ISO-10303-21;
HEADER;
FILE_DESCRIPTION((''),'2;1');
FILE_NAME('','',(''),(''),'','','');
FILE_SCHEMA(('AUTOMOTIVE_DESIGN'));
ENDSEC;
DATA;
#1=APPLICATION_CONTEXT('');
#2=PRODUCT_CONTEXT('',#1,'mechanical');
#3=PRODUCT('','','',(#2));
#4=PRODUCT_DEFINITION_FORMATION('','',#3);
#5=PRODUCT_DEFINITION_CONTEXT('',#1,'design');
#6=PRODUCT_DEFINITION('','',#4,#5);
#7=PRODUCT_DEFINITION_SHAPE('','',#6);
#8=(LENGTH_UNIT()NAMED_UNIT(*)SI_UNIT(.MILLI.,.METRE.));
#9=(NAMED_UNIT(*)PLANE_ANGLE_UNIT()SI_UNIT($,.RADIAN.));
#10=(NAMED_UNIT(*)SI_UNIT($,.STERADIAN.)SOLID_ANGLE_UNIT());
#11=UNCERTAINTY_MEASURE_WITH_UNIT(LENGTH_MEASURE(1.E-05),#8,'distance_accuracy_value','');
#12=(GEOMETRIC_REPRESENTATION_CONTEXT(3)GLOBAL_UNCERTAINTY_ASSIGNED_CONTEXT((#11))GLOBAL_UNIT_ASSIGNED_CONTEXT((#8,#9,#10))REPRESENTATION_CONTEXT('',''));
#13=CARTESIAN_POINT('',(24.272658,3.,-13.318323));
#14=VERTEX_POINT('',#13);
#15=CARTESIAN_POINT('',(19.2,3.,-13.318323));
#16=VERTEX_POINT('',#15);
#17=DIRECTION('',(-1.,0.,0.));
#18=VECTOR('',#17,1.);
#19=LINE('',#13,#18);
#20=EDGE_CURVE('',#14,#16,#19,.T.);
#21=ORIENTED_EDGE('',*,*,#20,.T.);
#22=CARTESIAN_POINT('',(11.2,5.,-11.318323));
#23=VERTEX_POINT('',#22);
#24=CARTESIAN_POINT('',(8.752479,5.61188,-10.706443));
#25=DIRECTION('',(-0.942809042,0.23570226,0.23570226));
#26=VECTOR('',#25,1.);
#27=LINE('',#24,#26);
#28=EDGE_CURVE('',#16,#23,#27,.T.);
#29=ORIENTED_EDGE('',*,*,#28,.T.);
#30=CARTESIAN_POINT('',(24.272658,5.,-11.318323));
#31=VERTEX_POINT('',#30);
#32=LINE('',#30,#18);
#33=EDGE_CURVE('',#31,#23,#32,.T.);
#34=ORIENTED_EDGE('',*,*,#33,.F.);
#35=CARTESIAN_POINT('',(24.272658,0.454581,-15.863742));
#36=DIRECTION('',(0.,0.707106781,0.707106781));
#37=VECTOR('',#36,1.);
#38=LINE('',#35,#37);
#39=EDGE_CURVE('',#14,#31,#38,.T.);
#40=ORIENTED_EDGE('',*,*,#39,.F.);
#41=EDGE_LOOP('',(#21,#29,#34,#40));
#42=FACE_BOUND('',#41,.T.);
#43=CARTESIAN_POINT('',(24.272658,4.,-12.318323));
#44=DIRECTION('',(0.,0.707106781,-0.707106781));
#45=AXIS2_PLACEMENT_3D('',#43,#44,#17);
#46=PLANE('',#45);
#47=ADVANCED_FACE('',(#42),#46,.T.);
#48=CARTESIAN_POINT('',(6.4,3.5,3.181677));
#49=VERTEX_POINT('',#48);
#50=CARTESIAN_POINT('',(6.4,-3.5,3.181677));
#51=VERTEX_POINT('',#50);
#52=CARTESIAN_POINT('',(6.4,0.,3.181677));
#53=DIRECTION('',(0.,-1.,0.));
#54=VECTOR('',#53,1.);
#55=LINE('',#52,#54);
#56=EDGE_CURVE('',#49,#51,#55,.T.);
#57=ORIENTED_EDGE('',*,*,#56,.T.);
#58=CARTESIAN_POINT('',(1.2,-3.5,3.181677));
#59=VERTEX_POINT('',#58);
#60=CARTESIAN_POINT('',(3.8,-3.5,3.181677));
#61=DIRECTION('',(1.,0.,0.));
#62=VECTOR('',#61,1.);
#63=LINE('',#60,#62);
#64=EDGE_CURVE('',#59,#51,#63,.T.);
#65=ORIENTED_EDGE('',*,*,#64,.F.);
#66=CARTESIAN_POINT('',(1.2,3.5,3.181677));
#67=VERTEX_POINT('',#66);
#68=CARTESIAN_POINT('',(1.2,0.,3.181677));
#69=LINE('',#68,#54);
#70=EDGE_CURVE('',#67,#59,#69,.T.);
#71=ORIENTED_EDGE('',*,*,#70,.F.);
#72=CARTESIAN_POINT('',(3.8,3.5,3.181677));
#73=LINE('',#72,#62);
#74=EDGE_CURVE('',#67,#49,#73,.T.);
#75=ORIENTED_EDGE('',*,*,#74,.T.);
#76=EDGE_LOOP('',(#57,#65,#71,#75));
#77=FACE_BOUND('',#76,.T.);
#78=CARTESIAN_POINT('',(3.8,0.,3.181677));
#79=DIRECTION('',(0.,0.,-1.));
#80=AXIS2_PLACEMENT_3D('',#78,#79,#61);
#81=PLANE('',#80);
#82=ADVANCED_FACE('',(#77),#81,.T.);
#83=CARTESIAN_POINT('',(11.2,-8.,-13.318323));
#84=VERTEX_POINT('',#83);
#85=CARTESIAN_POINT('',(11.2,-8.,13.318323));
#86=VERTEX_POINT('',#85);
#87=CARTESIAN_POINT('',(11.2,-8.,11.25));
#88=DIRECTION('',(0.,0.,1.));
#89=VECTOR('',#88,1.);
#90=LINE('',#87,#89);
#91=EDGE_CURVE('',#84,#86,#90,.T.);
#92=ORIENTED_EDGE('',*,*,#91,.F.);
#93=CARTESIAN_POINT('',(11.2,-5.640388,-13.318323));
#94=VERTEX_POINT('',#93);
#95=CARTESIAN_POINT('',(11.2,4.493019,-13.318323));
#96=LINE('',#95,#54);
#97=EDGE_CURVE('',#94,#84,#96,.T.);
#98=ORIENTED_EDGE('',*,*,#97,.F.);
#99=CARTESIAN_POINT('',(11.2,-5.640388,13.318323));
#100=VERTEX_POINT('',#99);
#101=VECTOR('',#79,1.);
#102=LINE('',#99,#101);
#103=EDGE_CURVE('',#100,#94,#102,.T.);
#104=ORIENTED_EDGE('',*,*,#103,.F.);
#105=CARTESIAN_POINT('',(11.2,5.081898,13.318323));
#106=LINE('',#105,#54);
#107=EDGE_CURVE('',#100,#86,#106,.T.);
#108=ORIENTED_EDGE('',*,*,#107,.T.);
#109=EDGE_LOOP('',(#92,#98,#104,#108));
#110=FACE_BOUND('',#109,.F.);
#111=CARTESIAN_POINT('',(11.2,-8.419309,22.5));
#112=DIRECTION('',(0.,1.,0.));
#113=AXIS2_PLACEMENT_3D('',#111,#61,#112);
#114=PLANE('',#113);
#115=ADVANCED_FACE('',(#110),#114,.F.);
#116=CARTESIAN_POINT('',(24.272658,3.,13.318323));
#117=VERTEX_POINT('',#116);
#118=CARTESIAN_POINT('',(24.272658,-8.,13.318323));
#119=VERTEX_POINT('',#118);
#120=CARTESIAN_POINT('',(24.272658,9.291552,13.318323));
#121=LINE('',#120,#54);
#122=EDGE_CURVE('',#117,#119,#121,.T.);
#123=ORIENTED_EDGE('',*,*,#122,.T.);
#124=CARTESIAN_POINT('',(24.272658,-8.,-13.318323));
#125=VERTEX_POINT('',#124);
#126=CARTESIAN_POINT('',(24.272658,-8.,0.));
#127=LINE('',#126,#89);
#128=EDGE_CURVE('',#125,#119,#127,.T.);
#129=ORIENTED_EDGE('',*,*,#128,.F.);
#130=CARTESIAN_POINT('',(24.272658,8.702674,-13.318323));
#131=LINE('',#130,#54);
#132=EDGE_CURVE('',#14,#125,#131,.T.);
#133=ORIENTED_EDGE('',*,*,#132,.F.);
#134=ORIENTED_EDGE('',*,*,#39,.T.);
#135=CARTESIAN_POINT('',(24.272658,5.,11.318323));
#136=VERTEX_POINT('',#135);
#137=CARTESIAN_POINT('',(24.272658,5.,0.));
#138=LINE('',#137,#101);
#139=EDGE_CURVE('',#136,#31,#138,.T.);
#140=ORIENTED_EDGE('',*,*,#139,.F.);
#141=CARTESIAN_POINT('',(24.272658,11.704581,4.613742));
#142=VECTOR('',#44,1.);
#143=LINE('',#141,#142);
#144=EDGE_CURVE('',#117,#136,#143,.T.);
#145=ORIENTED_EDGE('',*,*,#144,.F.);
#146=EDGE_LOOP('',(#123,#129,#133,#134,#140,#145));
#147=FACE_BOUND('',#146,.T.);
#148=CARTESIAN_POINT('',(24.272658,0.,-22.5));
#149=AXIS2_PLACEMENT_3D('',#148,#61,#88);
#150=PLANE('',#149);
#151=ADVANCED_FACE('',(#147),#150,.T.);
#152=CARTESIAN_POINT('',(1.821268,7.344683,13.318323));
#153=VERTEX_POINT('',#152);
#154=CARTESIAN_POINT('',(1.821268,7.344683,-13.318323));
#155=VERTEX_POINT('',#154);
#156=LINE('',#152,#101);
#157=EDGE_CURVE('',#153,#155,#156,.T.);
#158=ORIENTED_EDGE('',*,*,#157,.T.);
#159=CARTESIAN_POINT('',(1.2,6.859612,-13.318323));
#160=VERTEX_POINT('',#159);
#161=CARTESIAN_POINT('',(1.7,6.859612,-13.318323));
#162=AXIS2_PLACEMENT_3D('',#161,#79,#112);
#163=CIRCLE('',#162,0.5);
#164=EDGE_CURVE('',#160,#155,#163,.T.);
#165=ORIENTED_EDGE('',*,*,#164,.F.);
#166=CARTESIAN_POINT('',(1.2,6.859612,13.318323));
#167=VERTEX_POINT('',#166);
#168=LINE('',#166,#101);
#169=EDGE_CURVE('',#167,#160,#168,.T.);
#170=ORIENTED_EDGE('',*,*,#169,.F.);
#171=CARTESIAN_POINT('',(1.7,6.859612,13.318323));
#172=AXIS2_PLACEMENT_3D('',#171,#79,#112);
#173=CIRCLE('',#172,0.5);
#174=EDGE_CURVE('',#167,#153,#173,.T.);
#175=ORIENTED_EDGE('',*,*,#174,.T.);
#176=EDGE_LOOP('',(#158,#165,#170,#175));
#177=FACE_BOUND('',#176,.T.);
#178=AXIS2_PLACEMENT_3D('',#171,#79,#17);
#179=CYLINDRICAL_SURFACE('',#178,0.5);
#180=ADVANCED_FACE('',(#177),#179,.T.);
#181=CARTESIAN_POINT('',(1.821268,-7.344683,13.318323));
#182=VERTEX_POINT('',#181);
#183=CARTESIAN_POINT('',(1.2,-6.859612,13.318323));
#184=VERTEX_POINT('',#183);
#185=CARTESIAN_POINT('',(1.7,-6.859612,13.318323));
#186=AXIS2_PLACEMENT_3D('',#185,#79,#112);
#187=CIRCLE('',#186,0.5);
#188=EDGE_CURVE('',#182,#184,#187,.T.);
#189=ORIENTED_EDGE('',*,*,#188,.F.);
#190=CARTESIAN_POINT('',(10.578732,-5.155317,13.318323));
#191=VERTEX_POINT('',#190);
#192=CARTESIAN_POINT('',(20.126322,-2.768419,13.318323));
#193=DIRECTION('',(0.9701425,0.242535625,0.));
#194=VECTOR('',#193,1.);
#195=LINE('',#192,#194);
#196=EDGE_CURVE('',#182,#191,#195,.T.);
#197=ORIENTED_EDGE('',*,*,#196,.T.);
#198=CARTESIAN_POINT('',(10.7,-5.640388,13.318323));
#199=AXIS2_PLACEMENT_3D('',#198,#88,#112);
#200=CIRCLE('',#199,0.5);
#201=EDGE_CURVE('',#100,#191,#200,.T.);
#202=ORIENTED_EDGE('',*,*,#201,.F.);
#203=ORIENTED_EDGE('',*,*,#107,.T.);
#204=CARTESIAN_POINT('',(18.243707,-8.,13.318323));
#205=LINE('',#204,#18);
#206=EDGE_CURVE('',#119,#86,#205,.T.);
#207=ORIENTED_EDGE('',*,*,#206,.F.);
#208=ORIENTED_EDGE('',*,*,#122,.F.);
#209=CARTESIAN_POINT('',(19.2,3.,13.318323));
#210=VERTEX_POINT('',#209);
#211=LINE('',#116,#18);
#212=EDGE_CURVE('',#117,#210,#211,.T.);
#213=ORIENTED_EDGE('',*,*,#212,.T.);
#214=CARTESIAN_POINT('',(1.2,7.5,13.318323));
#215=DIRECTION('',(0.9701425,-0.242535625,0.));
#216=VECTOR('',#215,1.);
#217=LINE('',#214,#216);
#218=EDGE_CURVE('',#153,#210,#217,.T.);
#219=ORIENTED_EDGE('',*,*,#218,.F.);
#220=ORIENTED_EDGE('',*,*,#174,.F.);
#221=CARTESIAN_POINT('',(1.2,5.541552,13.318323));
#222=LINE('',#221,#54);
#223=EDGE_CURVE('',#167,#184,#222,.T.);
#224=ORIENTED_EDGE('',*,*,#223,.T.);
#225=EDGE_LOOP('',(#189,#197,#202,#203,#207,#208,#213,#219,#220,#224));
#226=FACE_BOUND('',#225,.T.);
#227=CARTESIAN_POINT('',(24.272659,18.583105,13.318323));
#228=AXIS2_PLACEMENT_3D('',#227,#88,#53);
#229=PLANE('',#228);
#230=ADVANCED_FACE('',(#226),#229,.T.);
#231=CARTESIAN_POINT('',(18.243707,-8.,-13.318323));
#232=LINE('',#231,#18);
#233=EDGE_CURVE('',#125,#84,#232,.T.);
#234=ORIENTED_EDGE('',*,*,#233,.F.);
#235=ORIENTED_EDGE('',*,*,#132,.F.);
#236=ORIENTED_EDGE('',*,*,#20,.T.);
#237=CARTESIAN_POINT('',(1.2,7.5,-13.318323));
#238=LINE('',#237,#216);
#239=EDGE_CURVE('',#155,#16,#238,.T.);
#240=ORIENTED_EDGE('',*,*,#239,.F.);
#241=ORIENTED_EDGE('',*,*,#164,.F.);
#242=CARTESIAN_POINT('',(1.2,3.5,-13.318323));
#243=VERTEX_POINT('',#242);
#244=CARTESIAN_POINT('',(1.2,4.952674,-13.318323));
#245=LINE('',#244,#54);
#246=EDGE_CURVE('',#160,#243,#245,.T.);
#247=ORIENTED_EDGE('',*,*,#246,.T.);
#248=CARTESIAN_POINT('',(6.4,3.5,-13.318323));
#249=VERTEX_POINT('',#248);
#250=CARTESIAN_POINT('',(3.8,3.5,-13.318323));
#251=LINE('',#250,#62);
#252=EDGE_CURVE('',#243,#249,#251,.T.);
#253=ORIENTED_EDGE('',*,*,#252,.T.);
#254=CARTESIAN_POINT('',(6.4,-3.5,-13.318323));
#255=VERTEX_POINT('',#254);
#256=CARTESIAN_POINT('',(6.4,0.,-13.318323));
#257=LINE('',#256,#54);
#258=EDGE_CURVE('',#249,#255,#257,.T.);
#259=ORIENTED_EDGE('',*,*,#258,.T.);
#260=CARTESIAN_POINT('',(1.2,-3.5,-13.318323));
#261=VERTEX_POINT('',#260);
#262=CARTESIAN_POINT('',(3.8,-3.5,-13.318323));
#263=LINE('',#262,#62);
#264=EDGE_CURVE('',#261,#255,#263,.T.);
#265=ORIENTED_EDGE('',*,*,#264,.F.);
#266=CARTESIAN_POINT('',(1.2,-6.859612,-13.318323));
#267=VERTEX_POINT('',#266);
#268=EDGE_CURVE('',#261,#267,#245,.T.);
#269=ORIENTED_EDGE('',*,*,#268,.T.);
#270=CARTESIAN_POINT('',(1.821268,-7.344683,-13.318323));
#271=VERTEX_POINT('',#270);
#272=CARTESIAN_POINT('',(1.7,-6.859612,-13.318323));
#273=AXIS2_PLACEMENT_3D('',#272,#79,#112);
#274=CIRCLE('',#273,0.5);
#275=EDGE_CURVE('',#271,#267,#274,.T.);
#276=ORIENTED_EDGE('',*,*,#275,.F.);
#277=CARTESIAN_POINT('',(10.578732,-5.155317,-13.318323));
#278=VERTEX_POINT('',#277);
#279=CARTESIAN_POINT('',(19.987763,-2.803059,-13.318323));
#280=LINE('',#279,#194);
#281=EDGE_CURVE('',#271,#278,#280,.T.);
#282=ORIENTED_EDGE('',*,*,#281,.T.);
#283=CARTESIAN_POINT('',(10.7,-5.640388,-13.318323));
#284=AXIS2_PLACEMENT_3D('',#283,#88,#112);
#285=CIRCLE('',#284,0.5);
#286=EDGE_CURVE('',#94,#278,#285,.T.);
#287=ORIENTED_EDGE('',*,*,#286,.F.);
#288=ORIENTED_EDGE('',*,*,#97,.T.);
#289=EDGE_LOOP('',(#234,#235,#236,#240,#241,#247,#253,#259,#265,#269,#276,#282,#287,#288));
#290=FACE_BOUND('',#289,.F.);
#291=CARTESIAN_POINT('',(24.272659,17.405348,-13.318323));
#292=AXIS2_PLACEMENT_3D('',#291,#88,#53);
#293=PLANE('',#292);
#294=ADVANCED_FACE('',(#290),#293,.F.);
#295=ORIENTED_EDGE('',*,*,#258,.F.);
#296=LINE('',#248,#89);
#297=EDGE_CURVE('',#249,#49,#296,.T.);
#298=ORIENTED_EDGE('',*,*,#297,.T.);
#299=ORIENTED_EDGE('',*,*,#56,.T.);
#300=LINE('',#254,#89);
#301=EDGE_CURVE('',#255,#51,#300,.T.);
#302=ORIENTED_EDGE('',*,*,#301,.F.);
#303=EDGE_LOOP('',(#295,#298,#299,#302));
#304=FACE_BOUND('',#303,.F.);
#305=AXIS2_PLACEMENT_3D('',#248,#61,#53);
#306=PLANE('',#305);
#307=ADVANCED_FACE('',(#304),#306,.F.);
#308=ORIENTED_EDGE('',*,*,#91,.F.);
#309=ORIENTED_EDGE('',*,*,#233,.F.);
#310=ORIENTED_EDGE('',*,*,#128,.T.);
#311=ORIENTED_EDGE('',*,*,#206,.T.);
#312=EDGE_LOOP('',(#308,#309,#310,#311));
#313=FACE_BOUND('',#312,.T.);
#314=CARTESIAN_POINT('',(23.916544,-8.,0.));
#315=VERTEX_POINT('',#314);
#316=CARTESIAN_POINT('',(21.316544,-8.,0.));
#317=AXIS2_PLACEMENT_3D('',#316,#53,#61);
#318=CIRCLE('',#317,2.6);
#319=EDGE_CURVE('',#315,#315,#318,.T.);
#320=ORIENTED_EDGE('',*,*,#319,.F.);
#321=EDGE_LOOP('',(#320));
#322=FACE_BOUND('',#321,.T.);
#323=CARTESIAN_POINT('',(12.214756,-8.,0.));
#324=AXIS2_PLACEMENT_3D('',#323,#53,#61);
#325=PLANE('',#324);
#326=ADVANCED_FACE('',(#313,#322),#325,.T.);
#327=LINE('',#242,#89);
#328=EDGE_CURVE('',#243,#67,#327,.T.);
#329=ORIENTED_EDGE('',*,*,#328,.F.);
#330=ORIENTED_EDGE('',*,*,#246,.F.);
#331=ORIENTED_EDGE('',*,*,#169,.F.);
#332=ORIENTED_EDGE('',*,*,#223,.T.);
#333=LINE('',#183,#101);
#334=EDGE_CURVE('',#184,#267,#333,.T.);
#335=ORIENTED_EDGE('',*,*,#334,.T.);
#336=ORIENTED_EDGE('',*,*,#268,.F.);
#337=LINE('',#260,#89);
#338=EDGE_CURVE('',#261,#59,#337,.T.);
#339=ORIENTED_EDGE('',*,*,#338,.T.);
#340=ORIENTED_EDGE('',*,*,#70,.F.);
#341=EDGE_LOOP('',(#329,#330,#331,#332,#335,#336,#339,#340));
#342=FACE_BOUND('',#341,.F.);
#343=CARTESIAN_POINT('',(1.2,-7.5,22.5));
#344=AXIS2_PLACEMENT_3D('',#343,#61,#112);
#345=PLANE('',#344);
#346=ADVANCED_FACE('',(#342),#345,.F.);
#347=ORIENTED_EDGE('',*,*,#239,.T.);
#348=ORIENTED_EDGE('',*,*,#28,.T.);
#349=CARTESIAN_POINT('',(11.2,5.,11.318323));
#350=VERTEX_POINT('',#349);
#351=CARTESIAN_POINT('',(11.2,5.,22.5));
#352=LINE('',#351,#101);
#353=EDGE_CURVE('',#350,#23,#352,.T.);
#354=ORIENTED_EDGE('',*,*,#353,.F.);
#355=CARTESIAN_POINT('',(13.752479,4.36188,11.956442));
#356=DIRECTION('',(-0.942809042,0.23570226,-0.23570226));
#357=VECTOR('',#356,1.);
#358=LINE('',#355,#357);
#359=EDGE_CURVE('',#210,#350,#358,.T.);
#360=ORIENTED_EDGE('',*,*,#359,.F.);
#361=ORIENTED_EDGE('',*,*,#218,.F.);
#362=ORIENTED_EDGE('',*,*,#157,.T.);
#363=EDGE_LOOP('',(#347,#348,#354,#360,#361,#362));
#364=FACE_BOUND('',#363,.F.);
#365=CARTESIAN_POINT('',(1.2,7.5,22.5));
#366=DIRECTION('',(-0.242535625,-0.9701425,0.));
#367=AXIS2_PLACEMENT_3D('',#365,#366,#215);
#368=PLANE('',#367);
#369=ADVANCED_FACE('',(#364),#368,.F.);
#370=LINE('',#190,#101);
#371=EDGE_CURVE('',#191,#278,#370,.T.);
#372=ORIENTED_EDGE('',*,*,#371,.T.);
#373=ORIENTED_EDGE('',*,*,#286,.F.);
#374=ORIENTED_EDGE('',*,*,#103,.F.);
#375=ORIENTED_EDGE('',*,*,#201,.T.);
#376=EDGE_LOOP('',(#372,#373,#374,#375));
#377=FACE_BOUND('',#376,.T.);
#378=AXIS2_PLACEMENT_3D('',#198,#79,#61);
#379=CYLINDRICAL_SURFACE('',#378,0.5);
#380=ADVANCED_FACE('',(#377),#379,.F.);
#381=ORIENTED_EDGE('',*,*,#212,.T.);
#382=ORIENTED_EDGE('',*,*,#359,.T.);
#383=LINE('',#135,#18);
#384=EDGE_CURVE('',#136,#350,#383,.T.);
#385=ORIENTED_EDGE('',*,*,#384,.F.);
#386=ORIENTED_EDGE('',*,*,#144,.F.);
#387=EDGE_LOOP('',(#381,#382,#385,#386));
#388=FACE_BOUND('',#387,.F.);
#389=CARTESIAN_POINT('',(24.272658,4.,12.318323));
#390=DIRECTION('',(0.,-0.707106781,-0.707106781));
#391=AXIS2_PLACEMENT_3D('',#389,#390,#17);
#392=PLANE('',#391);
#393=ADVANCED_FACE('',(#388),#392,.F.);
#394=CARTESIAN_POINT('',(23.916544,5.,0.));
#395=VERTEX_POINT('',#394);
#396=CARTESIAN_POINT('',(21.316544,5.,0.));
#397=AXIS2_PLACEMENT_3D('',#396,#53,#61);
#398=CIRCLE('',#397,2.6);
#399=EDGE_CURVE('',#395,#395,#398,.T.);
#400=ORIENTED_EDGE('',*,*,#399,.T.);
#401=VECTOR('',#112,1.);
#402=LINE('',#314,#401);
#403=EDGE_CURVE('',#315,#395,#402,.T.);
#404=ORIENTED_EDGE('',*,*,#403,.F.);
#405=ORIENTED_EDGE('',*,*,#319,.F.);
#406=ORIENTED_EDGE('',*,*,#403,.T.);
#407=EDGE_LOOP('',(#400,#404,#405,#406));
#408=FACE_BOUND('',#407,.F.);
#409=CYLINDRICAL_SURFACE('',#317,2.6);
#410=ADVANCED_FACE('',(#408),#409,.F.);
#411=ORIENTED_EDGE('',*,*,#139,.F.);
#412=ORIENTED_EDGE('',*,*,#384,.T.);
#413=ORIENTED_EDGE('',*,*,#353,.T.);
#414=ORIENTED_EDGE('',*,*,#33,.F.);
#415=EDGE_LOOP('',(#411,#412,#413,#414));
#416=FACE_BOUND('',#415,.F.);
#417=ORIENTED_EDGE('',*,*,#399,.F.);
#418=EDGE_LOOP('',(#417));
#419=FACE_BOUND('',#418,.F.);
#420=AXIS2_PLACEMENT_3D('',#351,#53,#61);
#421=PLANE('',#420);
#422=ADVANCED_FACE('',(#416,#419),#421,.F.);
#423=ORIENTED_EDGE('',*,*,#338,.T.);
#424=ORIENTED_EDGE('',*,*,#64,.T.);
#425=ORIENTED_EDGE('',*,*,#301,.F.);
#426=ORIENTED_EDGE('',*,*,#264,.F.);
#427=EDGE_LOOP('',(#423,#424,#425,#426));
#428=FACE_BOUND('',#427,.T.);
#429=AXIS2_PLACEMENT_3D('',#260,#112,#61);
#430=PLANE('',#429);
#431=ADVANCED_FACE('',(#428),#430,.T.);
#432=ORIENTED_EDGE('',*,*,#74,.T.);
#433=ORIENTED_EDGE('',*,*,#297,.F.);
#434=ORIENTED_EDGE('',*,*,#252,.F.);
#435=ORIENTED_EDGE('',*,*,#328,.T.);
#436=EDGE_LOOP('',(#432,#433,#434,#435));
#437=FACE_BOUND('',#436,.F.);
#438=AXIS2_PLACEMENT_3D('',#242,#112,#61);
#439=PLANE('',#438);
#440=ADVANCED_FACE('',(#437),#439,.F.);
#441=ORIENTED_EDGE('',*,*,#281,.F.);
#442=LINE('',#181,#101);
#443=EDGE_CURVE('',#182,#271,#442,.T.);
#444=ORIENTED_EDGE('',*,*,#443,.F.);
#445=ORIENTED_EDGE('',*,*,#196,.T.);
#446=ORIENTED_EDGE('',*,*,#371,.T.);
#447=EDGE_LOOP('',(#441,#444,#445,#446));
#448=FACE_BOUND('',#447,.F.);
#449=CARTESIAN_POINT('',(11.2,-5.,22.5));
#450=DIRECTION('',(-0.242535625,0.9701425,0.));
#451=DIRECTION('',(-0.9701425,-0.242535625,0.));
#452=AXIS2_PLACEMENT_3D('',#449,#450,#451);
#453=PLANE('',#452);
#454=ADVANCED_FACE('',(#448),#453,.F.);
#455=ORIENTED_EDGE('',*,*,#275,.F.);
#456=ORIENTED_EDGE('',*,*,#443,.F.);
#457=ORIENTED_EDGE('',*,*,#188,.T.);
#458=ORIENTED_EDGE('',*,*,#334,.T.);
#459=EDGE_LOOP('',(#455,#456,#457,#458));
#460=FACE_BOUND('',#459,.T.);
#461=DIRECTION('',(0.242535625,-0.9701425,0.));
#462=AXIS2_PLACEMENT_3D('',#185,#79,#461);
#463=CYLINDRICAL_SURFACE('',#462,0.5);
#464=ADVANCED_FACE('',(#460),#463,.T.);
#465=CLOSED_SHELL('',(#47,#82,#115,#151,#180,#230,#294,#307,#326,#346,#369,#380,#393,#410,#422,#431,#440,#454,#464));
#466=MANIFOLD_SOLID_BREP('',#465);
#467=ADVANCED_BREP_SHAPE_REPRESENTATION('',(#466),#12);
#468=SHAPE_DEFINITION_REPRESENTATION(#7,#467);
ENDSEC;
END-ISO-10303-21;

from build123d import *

# Parameters (mm, degrees)
SKETCH002_W     = 24.115805
SKETCH002_H     = 45
PAD001_DEPTH    = 8
POCKET001_DEPTH = 45.001
SKETCH004_W     = 9.473238
SKETCH004_H     = 26.16662
SKETCH004_W_2   = 10.488205
SKETCH004_H_2   = 27.344377
POCKET002_DEPTH = 23.073659
SKETCH005_R     = 2.6
POCKET003_DEPTH = 15.501
CHAMFER_SIZE    = 2
SKETCH007_W     = 5.2
SKETCH007_H     = 7
POCKET004_DEPTH = 16.5
FILLET_R        = 0.5


with BuildPart() as part:
    # Sketch002 → Pad001 (new body, symmetric)
    with BuildSketch(Plane.XZ):
        with Locations((12.214756, 0)):
            Rectangle(SKETCH002_W, SKETCH002_H)
    extrude(amount=PAD001_DEPTH, both=True)

    # Sketch003 (on Face1 of Pad001) → Pocket001 (cut, through all)
    with BuildSketch(Plane(origin=(0, 0, 22.5), x_dir=(-1, 0, 0), z_dir=(0, 0, 1))):
        Polygon((-1.2, 7.5), (-1.2, -7.5), (-11.2, -5), (-26.098127, -5), (-26.098127, -10.333512), (0.566555, -10.333512), (0.566555, 8.419309), (-11.2, 8.419309), (-11.2, 5), align=None)
    extrude(amount=-POCKET001_DEPTH, mode=Mode.SUBTRACT)

    # Sketch004 (on Face8 of Pocket001) → Pocket002 (cut, through all)
    with BuildSketch(Plane(origin=(24.272659, 0, 0), x_dir=(0, 0, 1), z_dir=(1, 0, 0))):
        with Locations((-18.054942, -4.322038)):
            Rectangle(SKETCH004_W, SKETCH004_H)
        with Locations((18.562425, -4.910916)):
            Rectangle(SKETCH004_W_2, SKETCH004_H_2)
    extrude(amount=-POCKET002_DEPTH, mode=Mode.SUBTRACT)

    # Sketch005 (on Face6 of Pocket002) → Pocket003 (cut, through all)
    with BuildSketch(Plane.XZ.offset(8)):
        with Locations((21.316544, 0)):
            Circle(SKETCH005_R)
    extrude(amount=-POCKET003_DEPTH, mode=Mode.SUBTRACT)

    # Chamfer
    chamfer_edges = [part.edges().sort_by_distance(p)[0] for p in [
        (17.73633, 5, -13.318323),
        (17.73633, 5, 13.318323),
    ]]
    chamfer(chamfer_edges, length=CHAMFER_SIZE)

    # Sketch007 (on Face7 of Chamfer) → Pocket004 (cut)
    with BuildSketch(Plane(origin=(0, 0, -13.318323), x_dir=(1, 0, 0), z_dir=(0, 0, -1))):
        with Locations((3.8, 0)):
            Rectangle(SKETCH007_W, SKETCH007_H)
    extrude(amount=-POCKET004_DEPTH, mode=Mode.SUBTRACT)

    # Fillet
    fillet_edges = [part.edges().sort_by_distance(p)[0] for p in [
        (1.2, -7.5, 0),
        (1.2, 7.5, 0),
        (11.2, -5, 0),
    ]]
    fillet(fillet_edges, radius=FILLET_R)


solid = part.part
